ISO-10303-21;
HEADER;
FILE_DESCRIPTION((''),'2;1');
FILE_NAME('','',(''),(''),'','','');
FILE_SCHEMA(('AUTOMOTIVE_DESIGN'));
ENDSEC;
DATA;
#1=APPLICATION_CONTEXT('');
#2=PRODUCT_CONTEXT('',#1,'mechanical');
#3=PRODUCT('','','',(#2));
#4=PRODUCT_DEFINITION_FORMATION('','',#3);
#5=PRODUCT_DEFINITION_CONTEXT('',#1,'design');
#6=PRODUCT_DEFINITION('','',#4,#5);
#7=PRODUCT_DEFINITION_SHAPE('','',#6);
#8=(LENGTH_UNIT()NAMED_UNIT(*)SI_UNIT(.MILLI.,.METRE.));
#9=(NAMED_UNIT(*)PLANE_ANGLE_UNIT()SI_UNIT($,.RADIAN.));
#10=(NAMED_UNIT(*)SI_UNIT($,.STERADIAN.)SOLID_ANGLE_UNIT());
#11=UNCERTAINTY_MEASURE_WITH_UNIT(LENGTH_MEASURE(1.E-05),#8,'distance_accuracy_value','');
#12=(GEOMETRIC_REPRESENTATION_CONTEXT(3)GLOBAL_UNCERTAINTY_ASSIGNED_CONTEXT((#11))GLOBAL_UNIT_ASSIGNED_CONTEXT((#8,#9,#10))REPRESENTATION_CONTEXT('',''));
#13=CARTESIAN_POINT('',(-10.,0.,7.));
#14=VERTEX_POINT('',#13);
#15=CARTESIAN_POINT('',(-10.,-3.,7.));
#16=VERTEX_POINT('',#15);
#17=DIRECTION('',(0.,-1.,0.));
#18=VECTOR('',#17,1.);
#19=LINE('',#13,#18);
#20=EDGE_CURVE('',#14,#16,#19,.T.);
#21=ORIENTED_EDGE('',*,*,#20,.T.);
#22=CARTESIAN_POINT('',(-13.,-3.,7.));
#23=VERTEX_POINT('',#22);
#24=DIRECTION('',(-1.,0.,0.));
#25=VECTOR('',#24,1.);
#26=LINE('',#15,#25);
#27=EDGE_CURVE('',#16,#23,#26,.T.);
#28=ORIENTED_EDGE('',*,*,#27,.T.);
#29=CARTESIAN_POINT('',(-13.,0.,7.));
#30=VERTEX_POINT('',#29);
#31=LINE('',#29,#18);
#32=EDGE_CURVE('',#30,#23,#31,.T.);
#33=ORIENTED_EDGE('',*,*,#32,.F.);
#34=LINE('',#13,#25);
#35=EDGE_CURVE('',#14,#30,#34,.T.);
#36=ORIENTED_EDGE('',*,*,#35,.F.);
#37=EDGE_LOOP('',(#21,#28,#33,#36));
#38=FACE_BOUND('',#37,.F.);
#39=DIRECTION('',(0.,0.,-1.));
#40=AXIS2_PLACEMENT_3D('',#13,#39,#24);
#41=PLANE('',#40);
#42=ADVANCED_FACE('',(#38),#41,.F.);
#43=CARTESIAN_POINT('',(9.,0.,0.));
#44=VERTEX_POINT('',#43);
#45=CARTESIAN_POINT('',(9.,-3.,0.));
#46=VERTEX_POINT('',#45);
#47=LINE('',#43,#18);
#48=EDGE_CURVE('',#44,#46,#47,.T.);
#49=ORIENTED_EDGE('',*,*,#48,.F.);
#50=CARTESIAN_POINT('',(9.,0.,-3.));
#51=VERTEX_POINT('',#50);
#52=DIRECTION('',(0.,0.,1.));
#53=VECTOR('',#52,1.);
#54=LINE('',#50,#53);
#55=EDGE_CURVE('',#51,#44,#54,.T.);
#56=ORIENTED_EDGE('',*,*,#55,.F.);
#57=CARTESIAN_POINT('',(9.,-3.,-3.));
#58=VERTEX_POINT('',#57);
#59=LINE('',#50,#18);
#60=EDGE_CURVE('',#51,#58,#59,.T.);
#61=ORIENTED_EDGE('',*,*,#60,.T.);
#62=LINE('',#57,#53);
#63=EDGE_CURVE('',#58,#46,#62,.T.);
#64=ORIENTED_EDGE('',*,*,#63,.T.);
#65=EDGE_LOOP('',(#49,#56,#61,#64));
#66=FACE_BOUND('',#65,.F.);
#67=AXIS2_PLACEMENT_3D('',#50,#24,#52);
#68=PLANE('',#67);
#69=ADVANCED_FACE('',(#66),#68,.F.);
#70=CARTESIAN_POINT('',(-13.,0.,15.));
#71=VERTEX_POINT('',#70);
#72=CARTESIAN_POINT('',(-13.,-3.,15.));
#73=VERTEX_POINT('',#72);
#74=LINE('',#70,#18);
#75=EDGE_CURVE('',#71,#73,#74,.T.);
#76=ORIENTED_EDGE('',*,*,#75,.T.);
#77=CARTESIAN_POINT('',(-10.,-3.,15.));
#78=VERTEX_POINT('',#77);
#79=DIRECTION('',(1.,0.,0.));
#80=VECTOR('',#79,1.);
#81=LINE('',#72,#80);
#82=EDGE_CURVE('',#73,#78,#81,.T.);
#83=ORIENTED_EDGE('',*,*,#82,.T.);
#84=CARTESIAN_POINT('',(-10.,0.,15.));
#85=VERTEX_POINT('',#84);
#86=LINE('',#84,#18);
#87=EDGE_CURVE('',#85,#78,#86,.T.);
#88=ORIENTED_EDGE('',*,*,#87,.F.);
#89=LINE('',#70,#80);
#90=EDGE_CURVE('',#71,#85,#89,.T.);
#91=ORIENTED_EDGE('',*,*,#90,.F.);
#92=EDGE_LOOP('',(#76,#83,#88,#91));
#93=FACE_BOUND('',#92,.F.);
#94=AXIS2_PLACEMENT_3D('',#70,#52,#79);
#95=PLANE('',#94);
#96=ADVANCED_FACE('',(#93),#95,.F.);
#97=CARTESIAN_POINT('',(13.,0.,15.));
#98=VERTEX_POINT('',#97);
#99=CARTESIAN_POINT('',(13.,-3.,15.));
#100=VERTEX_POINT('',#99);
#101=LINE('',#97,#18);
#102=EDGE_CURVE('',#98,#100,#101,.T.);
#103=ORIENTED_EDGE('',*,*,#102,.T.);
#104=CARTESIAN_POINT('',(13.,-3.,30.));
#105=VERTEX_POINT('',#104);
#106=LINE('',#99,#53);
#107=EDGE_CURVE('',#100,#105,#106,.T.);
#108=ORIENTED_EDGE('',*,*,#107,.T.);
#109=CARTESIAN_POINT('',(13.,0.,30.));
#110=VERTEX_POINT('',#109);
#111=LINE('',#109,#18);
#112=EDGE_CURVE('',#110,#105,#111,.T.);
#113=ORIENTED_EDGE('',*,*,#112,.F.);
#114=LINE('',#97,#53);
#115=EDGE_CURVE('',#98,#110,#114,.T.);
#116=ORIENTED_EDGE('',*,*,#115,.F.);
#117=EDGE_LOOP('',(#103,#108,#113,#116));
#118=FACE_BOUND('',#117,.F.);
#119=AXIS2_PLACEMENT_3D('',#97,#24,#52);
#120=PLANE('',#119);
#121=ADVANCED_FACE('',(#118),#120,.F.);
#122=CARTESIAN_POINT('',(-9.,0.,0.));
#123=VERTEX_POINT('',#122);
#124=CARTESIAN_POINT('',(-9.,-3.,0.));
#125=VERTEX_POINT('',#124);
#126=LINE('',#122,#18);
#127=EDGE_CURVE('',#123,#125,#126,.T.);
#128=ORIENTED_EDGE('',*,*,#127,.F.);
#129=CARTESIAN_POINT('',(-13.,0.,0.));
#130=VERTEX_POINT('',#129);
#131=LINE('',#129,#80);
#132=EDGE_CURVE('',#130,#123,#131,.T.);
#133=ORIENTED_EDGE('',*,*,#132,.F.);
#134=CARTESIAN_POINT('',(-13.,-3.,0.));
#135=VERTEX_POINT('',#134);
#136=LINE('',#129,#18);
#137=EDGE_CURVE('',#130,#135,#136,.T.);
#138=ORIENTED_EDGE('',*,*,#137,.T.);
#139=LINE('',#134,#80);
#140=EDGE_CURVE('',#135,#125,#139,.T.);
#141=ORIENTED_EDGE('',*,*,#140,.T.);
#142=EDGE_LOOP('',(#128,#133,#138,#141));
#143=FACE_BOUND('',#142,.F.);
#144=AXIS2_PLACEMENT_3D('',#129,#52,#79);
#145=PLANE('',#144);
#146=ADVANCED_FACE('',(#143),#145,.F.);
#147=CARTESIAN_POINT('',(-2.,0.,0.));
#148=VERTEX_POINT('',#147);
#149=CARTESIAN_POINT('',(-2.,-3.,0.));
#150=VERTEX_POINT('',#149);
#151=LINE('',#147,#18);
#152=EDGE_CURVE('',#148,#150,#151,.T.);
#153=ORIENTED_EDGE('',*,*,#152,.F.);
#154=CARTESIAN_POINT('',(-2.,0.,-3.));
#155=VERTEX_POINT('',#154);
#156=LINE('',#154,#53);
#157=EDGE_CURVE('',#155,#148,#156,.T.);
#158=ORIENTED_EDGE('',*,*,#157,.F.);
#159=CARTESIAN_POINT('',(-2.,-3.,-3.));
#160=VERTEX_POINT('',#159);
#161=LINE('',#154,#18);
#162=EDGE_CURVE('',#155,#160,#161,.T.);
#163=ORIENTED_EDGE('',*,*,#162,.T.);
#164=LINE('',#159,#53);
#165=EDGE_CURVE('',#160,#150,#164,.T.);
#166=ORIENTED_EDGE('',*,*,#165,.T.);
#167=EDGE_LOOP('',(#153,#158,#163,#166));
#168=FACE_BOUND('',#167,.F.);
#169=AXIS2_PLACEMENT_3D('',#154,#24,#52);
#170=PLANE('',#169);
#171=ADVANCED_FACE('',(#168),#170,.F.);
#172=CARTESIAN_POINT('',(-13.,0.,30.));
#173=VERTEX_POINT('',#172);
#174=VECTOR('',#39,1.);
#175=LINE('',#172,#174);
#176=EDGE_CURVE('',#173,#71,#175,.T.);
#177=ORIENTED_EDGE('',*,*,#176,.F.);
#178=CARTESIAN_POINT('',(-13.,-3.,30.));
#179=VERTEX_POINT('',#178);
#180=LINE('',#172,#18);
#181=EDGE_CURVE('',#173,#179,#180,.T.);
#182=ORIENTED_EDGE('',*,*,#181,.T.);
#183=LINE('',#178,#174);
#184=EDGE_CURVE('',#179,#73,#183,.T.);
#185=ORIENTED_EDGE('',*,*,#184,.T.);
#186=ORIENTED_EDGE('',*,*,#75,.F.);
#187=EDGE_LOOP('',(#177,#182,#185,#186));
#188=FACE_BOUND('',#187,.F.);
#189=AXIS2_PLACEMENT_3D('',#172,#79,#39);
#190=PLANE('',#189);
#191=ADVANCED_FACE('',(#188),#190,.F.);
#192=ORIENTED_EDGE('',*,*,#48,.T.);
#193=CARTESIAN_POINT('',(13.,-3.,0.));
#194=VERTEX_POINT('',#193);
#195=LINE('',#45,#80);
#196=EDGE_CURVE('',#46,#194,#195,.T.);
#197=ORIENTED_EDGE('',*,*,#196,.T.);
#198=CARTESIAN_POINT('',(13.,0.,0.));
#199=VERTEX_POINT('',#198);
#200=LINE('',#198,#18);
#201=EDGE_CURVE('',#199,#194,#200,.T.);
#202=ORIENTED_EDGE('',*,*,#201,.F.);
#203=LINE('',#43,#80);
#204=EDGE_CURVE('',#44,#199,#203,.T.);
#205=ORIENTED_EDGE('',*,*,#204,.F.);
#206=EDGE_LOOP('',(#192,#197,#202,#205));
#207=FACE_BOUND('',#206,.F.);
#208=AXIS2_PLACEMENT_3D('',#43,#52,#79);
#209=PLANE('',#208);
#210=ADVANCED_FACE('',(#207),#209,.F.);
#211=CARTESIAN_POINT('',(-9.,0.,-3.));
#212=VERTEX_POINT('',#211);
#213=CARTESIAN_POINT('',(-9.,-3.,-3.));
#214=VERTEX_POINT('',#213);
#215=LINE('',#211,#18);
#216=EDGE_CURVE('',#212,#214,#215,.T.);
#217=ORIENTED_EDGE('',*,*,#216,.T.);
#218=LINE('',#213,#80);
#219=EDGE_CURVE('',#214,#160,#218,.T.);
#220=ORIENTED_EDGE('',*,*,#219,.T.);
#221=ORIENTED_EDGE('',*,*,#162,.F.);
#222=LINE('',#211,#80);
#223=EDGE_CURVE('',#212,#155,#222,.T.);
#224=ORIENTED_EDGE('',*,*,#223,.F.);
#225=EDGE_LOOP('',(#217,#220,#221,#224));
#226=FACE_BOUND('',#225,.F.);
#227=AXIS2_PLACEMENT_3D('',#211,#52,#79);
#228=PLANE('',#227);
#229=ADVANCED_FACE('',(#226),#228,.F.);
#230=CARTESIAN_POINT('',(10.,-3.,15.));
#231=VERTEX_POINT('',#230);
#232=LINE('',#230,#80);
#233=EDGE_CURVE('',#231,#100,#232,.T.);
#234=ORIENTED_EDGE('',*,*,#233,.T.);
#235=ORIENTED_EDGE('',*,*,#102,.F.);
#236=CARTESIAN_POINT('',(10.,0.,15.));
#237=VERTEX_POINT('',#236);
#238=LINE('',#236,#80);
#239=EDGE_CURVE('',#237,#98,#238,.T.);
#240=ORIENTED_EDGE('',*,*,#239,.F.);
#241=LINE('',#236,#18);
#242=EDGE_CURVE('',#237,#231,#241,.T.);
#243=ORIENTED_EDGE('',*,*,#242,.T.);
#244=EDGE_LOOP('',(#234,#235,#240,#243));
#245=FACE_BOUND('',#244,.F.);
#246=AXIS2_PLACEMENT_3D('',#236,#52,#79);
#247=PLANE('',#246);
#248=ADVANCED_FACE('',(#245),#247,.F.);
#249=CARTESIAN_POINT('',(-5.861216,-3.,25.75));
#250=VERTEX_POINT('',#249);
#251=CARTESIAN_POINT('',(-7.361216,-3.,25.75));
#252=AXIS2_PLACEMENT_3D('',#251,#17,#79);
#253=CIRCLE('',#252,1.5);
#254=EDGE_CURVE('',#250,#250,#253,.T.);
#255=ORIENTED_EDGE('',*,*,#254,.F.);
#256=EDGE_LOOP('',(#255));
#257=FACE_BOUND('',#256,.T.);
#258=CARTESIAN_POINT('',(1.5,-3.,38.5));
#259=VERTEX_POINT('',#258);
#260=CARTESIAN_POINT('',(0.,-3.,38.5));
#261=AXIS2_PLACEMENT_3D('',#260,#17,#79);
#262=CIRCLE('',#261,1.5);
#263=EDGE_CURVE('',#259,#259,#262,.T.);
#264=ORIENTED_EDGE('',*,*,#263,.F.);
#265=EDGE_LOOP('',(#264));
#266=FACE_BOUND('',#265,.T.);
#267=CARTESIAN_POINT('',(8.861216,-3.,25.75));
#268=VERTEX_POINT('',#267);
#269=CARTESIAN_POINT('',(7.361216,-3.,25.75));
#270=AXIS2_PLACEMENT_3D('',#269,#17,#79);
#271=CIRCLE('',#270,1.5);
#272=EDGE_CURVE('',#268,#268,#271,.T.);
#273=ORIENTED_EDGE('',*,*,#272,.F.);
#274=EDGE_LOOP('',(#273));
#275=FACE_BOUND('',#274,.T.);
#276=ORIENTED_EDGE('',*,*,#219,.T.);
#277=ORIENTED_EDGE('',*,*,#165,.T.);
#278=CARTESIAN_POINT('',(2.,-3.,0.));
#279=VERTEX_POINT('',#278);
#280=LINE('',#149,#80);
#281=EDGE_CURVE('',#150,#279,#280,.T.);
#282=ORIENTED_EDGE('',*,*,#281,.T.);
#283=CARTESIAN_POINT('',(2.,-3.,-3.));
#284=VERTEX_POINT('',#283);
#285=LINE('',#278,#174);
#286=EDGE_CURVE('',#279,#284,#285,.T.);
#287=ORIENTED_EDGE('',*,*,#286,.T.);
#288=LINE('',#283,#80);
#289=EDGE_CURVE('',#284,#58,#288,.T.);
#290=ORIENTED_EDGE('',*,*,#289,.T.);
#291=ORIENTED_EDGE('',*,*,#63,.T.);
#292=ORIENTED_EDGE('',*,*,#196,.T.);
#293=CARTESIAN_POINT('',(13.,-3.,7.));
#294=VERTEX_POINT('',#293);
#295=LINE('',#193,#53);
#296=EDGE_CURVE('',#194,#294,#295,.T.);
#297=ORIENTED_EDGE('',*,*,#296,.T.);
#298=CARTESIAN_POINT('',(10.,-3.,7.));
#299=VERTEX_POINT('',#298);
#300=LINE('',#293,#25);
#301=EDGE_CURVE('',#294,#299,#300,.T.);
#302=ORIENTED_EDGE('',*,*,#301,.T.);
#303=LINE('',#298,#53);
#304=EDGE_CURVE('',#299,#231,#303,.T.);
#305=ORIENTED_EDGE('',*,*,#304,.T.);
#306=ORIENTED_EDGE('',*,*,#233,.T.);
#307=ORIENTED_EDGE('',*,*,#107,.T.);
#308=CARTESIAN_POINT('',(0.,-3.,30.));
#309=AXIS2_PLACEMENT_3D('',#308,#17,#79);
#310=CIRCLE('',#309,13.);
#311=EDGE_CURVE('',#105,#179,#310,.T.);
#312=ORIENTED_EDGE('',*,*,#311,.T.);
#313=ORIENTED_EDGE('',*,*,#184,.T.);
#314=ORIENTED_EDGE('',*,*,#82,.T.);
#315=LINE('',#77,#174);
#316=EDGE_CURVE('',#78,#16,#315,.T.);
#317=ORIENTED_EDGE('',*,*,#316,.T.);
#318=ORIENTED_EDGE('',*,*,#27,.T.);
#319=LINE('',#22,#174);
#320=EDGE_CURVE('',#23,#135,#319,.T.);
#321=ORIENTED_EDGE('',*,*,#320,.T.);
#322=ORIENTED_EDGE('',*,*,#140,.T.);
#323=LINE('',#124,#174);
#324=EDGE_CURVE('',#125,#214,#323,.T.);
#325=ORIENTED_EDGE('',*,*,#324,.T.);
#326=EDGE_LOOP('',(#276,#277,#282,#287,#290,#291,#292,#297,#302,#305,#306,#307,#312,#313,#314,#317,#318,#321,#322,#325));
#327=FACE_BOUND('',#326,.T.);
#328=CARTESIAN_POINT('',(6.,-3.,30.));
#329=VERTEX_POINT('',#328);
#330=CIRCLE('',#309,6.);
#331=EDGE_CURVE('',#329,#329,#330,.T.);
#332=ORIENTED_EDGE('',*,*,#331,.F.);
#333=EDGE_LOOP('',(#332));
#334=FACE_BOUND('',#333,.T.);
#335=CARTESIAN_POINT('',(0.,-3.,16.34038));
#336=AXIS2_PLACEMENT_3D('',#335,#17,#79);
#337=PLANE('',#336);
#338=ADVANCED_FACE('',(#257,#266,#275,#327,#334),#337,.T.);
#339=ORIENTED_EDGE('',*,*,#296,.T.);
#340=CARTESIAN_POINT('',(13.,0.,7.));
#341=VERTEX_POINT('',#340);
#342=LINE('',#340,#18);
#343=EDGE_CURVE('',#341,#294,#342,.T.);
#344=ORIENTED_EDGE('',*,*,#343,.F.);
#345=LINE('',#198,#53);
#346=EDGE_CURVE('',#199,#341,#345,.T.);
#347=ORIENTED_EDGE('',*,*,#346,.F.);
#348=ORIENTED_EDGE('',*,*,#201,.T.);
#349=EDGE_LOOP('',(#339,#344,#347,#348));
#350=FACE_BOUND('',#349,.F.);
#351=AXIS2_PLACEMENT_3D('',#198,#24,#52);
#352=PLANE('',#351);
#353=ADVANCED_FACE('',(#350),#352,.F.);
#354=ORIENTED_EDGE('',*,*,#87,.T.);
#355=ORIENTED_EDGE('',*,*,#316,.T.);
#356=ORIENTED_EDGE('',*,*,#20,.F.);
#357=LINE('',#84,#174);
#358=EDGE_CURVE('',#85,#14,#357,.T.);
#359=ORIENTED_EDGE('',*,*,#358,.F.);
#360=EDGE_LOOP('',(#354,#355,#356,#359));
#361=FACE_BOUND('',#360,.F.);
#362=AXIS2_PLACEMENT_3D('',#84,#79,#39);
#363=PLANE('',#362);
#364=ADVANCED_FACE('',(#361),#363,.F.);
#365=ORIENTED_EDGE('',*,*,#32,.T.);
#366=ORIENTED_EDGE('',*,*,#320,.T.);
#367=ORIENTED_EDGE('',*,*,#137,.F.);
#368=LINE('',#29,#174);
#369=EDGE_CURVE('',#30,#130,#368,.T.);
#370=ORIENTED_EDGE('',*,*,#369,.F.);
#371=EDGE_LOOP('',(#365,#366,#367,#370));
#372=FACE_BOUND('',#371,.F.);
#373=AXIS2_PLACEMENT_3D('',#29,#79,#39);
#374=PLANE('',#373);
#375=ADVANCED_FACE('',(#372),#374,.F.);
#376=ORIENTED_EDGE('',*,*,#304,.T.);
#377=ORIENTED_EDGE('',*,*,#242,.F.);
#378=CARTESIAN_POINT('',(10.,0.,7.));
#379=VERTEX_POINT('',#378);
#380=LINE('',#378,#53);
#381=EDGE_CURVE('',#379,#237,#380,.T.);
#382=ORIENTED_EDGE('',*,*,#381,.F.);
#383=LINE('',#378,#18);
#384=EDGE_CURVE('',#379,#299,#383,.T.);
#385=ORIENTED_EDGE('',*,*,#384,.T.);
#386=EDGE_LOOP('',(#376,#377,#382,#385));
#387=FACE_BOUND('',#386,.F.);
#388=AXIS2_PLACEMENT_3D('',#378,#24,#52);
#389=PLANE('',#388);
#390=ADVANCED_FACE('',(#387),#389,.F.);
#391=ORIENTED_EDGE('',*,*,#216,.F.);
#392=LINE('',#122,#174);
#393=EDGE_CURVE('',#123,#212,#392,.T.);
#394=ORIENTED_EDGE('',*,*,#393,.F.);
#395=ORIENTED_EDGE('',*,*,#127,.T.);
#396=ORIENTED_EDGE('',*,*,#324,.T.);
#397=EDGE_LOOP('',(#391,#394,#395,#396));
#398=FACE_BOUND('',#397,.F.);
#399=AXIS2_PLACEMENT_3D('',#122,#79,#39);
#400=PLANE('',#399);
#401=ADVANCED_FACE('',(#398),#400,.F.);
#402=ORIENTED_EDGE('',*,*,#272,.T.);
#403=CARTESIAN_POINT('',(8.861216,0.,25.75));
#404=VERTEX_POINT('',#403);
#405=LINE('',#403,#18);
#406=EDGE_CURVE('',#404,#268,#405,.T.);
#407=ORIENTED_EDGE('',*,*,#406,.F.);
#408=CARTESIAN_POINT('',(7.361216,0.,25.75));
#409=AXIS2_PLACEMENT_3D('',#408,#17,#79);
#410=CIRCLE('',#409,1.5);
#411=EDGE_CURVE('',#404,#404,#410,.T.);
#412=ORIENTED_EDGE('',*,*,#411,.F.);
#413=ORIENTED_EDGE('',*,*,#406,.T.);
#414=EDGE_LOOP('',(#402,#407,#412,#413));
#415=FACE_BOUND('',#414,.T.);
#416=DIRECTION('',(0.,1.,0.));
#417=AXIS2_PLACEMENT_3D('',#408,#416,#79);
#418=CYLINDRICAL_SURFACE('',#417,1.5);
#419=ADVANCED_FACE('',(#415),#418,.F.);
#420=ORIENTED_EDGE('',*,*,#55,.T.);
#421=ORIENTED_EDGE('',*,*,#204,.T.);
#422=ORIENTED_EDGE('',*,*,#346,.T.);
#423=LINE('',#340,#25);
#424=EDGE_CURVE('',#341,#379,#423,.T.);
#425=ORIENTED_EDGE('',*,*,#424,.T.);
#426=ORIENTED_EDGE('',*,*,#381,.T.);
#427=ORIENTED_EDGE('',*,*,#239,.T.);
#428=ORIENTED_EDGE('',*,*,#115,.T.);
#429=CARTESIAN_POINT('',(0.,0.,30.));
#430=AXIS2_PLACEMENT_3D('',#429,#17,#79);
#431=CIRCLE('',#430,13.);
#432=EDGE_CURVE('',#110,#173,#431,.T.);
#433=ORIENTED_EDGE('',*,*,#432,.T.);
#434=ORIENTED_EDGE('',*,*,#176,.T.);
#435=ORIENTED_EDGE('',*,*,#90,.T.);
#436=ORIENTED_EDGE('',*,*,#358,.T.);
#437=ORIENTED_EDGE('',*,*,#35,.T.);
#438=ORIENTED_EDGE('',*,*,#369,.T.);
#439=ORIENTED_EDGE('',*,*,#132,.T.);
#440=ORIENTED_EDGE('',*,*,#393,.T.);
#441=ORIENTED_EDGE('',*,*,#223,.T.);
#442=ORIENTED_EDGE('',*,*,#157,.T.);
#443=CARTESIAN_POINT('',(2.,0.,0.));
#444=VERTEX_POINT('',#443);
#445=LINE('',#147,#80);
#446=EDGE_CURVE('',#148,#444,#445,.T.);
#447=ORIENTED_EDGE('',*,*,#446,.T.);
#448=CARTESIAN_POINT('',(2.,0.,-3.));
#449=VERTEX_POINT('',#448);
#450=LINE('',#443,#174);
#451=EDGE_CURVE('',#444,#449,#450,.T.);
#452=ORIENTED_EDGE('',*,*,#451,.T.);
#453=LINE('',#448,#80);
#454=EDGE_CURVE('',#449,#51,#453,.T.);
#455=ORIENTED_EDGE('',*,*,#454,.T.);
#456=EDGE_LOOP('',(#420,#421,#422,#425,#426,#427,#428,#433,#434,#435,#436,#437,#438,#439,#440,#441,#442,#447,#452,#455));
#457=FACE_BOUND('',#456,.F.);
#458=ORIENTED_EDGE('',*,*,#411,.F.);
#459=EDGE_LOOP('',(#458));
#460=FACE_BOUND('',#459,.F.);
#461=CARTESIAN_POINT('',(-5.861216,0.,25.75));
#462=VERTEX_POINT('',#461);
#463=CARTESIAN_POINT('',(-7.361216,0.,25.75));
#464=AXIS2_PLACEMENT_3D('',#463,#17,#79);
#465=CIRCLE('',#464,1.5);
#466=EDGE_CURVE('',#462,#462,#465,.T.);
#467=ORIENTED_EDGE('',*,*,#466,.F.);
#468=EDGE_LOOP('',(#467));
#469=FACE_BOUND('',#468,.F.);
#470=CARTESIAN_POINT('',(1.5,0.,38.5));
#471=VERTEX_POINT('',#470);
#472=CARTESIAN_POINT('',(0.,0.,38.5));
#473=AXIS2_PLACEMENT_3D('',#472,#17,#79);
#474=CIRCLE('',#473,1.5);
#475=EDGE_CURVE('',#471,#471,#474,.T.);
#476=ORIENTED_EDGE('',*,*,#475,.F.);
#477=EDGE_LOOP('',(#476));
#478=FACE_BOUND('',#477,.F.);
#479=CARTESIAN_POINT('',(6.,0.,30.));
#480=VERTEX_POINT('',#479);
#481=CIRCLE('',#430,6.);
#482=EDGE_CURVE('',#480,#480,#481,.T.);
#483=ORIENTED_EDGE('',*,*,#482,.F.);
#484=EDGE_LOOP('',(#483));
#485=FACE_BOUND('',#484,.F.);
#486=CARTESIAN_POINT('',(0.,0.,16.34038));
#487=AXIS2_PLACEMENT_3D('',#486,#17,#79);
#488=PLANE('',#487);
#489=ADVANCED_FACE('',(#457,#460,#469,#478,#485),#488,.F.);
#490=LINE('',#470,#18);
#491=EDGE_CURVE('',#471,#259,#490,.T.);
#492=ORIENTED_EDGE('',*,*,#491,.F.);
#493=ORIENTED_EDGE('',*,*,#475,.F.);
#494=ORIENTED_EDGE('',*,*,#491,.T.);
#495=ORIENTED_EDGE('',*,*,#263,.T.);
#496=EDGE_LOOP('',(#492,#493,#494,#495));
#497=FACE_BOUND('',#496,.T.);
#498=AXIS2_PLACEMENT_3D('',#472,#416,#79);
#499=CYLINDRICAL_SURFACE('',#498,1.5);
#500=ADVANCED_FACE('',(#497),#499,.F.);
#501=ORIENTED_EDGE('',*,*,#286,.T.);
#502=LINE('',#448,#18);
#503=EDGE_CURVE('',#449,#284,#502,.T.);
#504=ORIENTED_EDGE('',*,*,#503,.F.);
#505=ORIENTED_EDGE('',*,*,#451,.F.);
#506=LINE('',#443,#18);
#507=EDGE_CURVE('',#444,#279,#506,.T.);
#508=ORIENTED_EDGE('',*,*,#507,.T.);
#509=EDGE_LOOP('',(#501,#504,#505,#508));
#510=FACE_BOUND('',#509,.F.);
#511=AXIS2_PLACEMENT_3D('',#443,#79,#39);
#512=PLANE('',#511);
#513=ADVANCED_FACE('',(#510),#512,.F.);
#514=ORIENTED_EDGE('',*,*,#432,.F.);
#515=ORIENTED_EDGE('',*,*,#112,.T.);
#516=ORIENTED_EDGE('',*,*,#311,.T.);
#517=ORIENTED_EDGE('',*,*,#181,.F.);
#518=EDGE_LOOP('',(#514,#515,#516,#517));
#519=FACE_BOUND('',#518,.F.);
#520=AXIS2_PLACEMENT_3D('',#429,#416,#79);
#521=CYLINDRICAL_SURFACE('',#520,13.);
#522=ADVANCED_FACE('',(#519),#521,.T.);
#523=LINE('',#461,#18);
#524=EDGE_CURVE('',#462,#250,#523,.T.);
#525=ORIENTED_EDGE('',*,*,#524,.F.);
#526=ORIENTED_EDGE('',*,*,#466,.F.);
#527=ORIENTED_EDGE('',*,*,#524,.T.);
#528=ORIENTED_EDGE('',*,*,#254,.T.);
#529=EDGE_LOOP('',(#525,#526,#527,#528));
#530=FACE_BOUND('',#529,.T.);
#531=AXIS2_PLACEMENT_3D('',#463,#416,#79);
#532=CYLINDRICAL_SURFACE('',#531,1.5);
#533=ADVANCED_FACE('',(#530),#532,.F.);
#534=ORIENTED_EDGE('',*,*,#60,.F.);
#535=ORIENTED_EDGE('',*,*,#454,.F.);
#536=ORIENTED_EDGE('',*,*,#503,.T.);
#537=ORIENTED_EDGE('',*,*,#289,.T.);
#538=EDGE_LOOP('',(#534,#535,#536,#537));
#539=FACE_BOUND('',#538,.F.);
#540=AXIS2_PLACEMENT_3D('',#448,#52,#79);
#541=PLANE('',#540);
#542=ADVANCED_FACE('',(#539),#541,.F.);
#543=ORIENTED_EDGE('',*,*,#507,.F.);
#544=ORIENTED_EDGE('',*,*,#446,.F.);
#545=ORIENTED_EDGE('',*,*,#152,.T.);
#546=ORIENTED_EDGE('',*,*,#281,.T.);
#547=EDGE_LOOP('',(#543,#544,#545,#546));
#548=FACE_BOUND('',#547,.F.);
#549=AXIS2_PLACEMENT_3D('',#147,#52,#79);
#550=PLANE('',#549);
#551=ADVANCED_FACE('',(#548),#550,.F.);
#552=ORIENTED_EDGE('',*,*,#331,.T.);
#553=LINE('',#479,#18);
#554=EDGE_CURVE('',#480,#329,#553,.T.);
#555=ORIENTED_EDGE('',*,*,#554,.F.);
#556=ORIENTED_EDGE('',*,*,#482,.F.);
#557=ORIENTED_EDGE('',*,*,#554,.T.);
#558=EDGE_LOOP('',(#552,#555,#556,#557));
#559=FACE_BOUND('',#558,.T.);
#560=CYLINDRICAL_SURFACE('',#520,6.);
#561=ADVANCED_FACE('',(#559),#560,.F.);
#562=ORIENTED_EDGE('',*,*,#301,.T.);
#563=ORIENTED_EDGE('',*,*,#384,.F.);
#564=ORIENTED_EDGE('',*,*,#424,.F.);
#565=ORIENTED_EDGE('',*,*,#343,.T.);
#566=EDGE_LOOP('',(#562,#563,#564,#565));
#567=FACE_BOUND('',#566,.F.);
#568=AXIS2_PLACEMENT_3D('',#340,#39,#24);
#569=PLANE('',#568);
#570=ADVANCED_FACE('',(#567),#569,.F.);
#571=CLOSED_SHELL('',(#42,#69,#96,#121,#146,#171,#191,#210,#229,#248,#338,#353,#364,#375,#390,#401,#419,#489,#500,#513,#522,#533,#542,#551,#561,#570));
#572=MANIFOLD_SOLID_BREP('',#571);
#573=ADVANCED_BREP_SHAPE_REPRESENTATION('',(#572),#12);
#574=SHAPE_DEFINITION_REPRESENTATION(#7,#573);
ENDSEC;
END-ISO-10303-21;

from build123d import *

# Parameters (mm, degrees)
F0_R     = 1.5
F0_R_2   = 6
F1_DEPTH = 3


with BuildPart() as f1:
    # F0 (on Front) → F1 (new body)
    with BuildSketch(Plane.XZ):
        with BuildLine():
            Line((13, 15), (13, 30))
            ThreePointArc((13, 30), (0, 43), (-13, 30))
            Line((-13, 30), (-13, 15))
            Line((-13, 15), (-10, 15))
            Line((-10, 15), (-10, 7))
            Line((-10, 7), (-13, 7))
            Line((-13, 7), (-13, 0))
            Line((-13, 0), (-9, 0))
            Line((-9, 0), (-9, -3))
            Line((-9, -3), (-2, -3))
            Line((-2, -3), (-2, 0))
            Line((-2, 0), (0, 0))
            Line((0, 0), (2, 0))
            Line((2, 0), (2, -3))
            Line((2, -3), (9, -3))
            Line((9, -3), (9, 0))
            Line((9, 0), (13, 0))
            Line((13, 0), (13, 7))
            Line((13, 7), (10, 7))
            Line((10, 7), (10, 15))
            Line((10, 15), (13, 15))
        make_face()
        with Locations((-7.361216, 25.75)):
            Circle(F0_R, mode=Mode.SUBTRACT)
        with Locations((0, 30)):
            Circle(F0_R_2, mode=Mode.SUBTRACT)
        with Locations((7.361216, 25.75)):
            Circle(F0_R, mode=Mode.SUBTRACT)
        with Locations((0, 38.5)):
            Circle(F0_R, mode=Mode.SUBTRACT)
    extrude(amount=F1_DEPTH)


solid = f1.part
